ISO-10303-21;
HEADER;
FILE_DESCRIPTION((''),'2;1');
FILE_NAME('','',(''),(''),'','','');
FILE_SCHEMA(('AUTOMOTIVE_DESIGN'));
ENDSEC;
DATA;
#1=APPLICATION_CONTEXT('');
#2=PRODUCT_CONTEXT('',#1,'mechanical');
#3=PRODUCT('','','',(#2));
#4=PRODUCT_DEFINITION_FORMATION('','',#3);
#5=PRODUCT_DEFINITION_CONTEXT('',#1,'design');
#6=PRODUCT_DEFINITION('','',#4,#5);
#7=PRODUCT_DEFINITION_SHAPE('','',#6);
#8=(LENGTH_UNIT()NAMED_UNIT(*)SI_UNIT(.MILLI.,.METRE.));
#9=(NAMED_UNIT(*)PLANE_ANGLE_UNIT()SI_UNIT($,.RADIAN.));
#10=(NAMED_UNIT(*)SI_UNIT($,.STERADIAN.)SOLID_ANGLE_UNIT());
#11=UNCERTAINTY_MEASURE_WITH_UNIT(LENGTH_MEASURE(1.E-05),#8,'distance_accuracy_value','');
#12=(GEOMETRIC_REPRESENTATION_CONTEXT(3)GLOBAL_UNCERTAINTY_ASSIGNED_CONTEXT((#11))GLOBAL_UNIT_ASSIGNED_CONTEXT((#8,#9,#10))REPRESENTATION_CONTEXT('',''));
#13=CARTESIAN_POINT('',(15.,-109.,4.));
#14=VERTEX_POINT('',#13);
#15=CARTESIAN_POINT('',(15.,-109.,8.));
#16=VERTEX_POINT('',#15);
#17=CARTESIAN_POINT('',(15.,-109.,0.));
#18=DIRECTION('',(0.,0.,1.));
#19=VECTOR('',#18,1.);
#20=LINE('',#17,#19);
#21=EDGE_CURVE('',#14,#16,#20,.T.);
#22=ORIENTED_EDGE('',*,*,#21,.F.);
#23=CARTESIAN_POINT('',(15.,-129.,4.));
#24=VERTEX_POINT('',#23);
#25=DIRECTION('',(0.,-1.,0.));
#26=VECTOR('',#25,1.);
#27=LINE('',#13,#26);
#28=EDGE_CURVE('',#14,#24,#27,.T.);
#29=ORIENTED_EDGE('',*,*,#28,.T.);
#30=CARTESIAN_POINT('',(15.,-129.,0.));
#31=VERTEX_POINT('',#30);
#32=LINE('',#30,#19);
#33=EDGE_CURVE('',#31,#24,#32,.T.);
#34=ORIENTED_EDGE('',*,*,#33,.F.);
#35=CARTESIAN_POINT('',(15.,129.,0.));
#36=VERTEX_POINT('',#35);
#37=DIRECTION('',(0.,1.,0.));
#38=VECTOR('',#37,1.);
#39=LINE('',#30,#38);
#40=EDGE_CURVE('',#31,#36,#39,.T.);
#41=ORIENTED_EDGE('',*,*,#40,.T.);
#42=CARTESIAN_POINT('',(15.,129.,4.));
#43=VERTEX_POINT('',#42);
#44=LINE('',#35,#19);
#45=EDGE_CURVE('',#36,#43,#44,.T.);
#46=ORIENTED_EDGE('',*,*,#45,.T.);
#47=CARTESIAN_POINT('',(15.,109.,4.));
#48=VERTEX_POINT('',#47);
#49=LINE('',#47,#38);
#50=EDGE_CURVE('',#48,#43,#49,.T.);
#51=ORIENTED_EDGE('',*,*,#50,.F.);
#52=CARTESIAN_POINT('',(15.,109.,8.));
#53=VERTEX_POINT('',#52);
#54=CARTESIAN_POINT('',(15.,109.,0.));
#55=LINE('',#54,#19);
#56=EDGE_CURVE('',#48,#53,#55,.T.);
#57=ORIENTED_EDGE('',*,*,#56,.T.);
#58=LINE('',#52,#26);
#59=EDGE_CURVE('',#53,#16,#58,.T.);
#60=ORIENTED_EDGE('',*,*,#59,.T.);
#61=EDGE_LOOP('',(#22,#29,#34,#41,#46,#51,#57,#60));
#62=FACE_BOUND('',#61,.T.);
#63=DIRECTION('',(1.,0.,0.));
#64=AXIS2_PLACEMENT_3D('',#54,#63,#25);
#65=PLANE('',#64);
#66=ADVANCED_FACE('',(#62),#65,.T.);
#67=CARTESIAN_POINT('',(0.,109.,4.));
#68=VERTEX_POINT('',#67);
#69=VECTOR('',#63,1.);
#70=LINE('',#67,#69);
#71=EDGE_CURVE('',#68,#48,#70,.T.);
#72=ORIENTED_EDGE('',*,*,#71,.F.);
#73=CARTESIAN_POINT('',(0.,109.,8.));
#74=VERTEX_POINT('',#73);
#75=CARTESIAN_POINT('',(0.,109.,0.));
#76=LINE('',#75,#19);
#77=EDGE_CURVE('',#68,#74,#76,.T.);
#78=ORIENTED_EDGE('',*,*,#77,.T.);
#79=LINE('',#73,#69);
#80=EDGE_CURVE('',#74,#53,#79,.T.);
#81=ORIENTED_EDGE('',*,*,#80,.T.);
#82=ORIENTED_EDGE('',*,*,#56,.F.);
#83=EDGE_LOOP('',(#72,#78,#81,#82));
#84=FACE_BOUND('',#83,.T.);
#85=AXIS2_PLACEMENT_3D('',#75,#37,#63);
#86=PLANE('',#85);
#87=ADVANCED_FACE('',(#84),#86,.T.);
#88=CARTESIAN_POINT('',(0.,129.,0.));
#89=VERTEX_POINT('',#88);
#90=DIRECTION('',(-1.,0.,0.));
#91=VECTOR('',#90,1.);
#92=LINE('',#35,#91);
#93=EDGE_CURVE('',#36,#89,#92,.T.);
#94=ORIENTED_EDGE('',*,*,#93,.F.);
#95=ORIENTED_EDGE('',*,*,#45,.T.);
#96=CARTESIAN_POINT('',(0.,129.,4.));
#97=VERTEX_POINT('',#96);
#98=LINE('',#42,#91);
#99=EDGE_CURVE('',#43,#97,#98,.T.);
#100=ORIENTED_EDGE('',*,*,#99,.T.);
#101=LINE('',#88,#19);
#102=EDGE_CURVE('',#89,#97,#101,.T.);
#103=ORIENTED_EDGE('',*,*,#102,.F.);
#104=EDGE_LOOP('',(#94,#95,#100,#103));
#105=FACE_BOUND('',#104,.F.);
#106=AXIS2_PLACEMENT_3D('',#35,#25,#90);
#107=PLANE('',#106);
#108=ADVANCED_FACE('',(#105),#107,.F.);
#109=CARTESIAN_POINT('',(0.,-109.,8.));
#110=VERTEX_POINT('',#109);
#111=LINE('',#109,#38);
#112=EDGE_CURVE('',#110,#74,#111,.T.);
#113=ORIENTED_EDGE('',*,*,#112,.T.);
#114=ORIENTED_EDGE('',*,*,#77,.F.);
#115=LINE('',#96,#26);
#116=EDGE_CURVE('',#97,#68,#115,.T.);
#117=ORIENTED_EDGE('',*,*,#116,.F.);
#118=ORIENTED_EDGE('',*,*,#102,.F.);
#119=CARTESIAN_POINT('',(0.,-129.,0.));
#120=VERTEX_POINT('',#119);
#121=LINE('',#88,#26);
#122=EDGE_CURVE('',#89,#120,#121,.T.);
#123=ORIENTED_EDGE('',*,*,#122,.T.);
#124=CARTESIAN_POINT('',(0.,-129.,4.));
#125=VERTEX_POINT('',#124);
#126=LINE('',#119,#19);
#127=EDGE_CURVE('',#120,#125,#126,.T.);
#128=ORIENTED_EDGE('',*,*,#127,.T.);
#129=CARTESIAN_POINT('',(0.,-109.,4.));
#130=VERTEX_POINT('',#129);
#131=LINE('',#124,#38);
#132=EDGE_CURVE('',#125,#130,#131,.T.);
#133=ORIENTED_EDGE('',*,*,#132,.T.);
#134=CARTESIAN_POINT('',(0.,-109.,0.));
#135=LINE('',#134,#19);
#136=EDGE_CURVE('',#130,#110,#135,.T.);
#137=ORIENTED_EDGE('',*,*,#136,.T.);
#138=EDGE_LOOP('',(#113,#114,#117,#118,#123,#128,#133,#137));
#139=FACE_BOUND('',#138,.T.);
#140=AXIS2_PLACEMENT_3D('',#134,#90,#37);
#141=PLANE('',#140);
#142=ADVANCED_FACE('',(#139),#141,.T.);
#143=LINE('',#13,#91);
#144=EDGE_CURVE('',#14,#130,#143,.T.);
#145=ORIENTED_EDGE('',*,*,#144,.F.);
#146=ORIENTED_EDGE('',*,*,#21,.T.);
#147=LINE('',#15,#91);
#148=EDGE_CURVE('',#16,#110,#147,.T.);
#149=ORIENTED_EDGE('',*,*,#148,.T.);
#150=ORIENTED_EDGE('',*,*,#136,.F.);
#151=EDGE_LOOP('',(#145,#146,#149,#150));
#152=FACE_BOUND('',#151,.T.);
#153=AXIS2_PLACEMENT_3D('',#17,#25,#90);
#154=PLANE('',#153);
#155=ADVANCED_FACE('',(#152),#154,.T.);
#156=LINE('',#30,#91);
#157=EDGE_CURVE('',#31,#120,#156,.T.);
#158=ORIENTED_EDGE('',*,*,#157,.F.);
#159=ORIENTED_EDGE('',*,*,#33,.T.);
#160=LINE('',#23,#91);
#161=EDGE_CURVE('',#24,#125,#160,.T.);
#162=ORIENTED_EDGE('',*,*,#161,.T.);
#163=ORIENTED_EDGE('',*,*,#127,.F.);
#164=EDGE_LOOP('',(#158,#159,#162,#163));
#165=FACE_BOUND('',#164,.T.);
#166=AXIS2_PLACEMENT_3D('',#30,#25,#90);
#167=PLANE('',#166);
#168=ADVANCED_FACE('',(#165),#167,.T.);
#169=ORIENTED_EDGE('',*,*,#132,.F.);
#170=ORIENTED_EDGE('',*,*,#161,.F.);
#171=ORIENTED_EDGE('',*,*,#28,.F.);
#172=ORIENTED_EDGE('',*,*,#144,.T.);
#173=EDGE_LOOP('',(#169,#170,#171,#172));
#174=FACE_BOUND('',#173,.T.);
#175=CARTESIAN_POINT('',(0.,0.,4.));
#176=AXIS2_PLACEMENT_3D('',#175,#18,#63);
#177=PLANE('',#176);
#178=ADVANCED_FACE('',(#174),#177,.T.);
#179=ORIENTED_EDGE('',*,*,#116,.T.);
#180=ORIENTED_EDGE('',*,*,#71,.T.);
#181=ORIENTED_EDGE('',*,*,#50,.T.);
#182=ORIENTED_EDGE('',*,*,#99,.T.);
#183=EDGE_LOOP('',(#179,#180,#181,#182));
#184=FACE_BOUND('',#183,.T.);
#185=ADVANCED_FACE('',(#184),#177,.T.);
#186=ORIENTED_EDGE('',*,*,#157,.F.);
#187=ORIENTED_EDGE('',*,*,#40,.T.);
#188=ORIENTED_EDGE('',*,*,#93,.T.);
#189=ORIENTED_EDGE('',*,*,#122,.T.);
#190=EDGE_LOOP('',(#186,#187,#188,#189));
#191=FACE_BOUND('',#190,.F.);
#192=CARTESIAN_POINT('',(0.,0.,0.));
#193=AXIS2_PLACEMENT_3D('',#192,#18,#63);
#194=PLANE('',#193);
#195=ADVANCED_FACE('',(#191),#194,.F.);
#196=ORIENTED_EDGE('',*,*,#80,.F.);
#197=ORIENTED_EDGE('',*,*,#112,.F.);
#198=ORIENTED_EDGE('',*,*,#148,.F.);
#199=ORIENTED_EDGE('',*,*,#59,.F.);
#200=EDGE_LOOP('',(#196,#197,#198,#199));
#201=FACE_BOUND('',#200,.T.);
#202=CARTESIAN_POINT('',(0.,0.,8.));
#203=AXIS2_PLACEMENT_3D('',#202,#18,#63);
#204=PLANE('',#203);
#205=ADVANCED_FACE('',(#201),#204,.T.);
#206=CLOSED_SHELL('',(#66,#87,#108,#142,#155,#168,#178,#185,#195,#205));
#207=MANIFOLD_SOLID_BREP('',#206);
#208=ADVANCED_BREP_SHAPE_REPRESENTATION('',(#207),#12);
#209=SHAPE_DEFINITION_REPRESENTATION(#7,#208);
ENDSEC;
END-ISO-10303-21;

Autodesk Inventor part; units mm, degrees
ref_plane "YZ Plane" through (0, 0, 0) normal (1, 0, 0) x (0, 1, 0)
ref_plane "XZ Plane" through (0, 0, 0) normal (0, 1, 0) x (-1, 0, 0)
sketch "Sketch1" plane through (0, 0, 0) normal (0, 0, 1) x (1, 0, 0)
  line L0 (0, 109) -> (15, 109)
  line L1 (15, 109) -> (15, -109)
  line L2 (15, -109) -> (0, -109)
  line L3 (0, -109) -> (0, 109)
  line L4 (0, 109) -> (15, 109)
  line L5 (15, 109) -> (15, 129)
  line L6 (15, 129) -> (0, 129)
  line L7 (0, 129) -> (0, 109)
  line L8 (0, 0) -> (65.2532, 0) construction
  line L9 (15, -109) -> (15, -129)
  line L10 (15, -129) -> (0, -129)
  line L11 (0, -129) -> (0, -109)
  dimension "d0" = 218
  dimension "d1" = 15
  dimension "d3" = 20
extrude "Extrusion1" add sketch "Sketch1" along normal blind 8 contours L0 L1 L2 L3
extrude "Extrusion2" add sketch "Sketch1" along normal blind 4 contours L7 L6 L5 L0 | L2 L9 L10 L11
ref_plane "spacer_surface Plane" through (0, 0, 8) normal (0, 0, 1) x (1, 0, 0)
sketch "Sketch2" plane through (0, 0, 8) normal (0, 0, 1) x (1, 0, 0)
  line L0 (0, 8) -> (15, 8)
  line L1 (15, 8) -> (15, 2)
  line L2 (15, 2) -> (0, 2)
  line L3 (0, 2) -> (0, 8)
  line L4 (0, 109) -> (0, -109) projected
  line L5 (15, -109) -> (15, 109) projected
  line L6 (0, 0) -> (65.2532, 0) construction
  line L7 (0, 129) -> (0, -129) projected
  line L8 (0, 3) -> (15, 3)
  line L9 (0, 7) -> (15, 7)
  point P0 (0, 5)
  point P1 (15, 5)
  point P2 (0, 3)
  point P3 (0, 7)
  dimension "d0" = 218
  dimension "d12" = 1
  dimension "d13" = 1
  dimension "d14" = 4
  dimension "d15" = 2
extrude "Extrusion3" [suppressed]
pattern_linear "Rectangular Pattern1" [suppressed]
mirror "Mirror1" [suppressed]
equation "\"d0\" = spacer_length"
equation "\"d1\" = spacer_width"
equation "\"d3\" = lock_length"
equation "\"d4\" = spacer_height"
equation "\"d6\" = lock_height"
equation "\"d12\" = holder_thickness"
equation "\"d13\" = holder_thickness"
equation "\"d14\" = wire_diameter"
equation "\"d15\" = 0.5 * wire_diameter"
equation "\"d16\" = wire_diameter"
equation "\"spacer_length\" = 218"
equation "\"spacer_width\" = 15"
equation "\"spacer_height\" = 8"
equation "\"lock_length\" = 20"
equation "\"lock_height\" = 4"
equation "\"wire_diameter\" = 4"
equation "\"wire_holder_offset\" = 0.1"
equation "\"holder_thickness\" = 1"
properties part number "spacer_no_wireholder"
